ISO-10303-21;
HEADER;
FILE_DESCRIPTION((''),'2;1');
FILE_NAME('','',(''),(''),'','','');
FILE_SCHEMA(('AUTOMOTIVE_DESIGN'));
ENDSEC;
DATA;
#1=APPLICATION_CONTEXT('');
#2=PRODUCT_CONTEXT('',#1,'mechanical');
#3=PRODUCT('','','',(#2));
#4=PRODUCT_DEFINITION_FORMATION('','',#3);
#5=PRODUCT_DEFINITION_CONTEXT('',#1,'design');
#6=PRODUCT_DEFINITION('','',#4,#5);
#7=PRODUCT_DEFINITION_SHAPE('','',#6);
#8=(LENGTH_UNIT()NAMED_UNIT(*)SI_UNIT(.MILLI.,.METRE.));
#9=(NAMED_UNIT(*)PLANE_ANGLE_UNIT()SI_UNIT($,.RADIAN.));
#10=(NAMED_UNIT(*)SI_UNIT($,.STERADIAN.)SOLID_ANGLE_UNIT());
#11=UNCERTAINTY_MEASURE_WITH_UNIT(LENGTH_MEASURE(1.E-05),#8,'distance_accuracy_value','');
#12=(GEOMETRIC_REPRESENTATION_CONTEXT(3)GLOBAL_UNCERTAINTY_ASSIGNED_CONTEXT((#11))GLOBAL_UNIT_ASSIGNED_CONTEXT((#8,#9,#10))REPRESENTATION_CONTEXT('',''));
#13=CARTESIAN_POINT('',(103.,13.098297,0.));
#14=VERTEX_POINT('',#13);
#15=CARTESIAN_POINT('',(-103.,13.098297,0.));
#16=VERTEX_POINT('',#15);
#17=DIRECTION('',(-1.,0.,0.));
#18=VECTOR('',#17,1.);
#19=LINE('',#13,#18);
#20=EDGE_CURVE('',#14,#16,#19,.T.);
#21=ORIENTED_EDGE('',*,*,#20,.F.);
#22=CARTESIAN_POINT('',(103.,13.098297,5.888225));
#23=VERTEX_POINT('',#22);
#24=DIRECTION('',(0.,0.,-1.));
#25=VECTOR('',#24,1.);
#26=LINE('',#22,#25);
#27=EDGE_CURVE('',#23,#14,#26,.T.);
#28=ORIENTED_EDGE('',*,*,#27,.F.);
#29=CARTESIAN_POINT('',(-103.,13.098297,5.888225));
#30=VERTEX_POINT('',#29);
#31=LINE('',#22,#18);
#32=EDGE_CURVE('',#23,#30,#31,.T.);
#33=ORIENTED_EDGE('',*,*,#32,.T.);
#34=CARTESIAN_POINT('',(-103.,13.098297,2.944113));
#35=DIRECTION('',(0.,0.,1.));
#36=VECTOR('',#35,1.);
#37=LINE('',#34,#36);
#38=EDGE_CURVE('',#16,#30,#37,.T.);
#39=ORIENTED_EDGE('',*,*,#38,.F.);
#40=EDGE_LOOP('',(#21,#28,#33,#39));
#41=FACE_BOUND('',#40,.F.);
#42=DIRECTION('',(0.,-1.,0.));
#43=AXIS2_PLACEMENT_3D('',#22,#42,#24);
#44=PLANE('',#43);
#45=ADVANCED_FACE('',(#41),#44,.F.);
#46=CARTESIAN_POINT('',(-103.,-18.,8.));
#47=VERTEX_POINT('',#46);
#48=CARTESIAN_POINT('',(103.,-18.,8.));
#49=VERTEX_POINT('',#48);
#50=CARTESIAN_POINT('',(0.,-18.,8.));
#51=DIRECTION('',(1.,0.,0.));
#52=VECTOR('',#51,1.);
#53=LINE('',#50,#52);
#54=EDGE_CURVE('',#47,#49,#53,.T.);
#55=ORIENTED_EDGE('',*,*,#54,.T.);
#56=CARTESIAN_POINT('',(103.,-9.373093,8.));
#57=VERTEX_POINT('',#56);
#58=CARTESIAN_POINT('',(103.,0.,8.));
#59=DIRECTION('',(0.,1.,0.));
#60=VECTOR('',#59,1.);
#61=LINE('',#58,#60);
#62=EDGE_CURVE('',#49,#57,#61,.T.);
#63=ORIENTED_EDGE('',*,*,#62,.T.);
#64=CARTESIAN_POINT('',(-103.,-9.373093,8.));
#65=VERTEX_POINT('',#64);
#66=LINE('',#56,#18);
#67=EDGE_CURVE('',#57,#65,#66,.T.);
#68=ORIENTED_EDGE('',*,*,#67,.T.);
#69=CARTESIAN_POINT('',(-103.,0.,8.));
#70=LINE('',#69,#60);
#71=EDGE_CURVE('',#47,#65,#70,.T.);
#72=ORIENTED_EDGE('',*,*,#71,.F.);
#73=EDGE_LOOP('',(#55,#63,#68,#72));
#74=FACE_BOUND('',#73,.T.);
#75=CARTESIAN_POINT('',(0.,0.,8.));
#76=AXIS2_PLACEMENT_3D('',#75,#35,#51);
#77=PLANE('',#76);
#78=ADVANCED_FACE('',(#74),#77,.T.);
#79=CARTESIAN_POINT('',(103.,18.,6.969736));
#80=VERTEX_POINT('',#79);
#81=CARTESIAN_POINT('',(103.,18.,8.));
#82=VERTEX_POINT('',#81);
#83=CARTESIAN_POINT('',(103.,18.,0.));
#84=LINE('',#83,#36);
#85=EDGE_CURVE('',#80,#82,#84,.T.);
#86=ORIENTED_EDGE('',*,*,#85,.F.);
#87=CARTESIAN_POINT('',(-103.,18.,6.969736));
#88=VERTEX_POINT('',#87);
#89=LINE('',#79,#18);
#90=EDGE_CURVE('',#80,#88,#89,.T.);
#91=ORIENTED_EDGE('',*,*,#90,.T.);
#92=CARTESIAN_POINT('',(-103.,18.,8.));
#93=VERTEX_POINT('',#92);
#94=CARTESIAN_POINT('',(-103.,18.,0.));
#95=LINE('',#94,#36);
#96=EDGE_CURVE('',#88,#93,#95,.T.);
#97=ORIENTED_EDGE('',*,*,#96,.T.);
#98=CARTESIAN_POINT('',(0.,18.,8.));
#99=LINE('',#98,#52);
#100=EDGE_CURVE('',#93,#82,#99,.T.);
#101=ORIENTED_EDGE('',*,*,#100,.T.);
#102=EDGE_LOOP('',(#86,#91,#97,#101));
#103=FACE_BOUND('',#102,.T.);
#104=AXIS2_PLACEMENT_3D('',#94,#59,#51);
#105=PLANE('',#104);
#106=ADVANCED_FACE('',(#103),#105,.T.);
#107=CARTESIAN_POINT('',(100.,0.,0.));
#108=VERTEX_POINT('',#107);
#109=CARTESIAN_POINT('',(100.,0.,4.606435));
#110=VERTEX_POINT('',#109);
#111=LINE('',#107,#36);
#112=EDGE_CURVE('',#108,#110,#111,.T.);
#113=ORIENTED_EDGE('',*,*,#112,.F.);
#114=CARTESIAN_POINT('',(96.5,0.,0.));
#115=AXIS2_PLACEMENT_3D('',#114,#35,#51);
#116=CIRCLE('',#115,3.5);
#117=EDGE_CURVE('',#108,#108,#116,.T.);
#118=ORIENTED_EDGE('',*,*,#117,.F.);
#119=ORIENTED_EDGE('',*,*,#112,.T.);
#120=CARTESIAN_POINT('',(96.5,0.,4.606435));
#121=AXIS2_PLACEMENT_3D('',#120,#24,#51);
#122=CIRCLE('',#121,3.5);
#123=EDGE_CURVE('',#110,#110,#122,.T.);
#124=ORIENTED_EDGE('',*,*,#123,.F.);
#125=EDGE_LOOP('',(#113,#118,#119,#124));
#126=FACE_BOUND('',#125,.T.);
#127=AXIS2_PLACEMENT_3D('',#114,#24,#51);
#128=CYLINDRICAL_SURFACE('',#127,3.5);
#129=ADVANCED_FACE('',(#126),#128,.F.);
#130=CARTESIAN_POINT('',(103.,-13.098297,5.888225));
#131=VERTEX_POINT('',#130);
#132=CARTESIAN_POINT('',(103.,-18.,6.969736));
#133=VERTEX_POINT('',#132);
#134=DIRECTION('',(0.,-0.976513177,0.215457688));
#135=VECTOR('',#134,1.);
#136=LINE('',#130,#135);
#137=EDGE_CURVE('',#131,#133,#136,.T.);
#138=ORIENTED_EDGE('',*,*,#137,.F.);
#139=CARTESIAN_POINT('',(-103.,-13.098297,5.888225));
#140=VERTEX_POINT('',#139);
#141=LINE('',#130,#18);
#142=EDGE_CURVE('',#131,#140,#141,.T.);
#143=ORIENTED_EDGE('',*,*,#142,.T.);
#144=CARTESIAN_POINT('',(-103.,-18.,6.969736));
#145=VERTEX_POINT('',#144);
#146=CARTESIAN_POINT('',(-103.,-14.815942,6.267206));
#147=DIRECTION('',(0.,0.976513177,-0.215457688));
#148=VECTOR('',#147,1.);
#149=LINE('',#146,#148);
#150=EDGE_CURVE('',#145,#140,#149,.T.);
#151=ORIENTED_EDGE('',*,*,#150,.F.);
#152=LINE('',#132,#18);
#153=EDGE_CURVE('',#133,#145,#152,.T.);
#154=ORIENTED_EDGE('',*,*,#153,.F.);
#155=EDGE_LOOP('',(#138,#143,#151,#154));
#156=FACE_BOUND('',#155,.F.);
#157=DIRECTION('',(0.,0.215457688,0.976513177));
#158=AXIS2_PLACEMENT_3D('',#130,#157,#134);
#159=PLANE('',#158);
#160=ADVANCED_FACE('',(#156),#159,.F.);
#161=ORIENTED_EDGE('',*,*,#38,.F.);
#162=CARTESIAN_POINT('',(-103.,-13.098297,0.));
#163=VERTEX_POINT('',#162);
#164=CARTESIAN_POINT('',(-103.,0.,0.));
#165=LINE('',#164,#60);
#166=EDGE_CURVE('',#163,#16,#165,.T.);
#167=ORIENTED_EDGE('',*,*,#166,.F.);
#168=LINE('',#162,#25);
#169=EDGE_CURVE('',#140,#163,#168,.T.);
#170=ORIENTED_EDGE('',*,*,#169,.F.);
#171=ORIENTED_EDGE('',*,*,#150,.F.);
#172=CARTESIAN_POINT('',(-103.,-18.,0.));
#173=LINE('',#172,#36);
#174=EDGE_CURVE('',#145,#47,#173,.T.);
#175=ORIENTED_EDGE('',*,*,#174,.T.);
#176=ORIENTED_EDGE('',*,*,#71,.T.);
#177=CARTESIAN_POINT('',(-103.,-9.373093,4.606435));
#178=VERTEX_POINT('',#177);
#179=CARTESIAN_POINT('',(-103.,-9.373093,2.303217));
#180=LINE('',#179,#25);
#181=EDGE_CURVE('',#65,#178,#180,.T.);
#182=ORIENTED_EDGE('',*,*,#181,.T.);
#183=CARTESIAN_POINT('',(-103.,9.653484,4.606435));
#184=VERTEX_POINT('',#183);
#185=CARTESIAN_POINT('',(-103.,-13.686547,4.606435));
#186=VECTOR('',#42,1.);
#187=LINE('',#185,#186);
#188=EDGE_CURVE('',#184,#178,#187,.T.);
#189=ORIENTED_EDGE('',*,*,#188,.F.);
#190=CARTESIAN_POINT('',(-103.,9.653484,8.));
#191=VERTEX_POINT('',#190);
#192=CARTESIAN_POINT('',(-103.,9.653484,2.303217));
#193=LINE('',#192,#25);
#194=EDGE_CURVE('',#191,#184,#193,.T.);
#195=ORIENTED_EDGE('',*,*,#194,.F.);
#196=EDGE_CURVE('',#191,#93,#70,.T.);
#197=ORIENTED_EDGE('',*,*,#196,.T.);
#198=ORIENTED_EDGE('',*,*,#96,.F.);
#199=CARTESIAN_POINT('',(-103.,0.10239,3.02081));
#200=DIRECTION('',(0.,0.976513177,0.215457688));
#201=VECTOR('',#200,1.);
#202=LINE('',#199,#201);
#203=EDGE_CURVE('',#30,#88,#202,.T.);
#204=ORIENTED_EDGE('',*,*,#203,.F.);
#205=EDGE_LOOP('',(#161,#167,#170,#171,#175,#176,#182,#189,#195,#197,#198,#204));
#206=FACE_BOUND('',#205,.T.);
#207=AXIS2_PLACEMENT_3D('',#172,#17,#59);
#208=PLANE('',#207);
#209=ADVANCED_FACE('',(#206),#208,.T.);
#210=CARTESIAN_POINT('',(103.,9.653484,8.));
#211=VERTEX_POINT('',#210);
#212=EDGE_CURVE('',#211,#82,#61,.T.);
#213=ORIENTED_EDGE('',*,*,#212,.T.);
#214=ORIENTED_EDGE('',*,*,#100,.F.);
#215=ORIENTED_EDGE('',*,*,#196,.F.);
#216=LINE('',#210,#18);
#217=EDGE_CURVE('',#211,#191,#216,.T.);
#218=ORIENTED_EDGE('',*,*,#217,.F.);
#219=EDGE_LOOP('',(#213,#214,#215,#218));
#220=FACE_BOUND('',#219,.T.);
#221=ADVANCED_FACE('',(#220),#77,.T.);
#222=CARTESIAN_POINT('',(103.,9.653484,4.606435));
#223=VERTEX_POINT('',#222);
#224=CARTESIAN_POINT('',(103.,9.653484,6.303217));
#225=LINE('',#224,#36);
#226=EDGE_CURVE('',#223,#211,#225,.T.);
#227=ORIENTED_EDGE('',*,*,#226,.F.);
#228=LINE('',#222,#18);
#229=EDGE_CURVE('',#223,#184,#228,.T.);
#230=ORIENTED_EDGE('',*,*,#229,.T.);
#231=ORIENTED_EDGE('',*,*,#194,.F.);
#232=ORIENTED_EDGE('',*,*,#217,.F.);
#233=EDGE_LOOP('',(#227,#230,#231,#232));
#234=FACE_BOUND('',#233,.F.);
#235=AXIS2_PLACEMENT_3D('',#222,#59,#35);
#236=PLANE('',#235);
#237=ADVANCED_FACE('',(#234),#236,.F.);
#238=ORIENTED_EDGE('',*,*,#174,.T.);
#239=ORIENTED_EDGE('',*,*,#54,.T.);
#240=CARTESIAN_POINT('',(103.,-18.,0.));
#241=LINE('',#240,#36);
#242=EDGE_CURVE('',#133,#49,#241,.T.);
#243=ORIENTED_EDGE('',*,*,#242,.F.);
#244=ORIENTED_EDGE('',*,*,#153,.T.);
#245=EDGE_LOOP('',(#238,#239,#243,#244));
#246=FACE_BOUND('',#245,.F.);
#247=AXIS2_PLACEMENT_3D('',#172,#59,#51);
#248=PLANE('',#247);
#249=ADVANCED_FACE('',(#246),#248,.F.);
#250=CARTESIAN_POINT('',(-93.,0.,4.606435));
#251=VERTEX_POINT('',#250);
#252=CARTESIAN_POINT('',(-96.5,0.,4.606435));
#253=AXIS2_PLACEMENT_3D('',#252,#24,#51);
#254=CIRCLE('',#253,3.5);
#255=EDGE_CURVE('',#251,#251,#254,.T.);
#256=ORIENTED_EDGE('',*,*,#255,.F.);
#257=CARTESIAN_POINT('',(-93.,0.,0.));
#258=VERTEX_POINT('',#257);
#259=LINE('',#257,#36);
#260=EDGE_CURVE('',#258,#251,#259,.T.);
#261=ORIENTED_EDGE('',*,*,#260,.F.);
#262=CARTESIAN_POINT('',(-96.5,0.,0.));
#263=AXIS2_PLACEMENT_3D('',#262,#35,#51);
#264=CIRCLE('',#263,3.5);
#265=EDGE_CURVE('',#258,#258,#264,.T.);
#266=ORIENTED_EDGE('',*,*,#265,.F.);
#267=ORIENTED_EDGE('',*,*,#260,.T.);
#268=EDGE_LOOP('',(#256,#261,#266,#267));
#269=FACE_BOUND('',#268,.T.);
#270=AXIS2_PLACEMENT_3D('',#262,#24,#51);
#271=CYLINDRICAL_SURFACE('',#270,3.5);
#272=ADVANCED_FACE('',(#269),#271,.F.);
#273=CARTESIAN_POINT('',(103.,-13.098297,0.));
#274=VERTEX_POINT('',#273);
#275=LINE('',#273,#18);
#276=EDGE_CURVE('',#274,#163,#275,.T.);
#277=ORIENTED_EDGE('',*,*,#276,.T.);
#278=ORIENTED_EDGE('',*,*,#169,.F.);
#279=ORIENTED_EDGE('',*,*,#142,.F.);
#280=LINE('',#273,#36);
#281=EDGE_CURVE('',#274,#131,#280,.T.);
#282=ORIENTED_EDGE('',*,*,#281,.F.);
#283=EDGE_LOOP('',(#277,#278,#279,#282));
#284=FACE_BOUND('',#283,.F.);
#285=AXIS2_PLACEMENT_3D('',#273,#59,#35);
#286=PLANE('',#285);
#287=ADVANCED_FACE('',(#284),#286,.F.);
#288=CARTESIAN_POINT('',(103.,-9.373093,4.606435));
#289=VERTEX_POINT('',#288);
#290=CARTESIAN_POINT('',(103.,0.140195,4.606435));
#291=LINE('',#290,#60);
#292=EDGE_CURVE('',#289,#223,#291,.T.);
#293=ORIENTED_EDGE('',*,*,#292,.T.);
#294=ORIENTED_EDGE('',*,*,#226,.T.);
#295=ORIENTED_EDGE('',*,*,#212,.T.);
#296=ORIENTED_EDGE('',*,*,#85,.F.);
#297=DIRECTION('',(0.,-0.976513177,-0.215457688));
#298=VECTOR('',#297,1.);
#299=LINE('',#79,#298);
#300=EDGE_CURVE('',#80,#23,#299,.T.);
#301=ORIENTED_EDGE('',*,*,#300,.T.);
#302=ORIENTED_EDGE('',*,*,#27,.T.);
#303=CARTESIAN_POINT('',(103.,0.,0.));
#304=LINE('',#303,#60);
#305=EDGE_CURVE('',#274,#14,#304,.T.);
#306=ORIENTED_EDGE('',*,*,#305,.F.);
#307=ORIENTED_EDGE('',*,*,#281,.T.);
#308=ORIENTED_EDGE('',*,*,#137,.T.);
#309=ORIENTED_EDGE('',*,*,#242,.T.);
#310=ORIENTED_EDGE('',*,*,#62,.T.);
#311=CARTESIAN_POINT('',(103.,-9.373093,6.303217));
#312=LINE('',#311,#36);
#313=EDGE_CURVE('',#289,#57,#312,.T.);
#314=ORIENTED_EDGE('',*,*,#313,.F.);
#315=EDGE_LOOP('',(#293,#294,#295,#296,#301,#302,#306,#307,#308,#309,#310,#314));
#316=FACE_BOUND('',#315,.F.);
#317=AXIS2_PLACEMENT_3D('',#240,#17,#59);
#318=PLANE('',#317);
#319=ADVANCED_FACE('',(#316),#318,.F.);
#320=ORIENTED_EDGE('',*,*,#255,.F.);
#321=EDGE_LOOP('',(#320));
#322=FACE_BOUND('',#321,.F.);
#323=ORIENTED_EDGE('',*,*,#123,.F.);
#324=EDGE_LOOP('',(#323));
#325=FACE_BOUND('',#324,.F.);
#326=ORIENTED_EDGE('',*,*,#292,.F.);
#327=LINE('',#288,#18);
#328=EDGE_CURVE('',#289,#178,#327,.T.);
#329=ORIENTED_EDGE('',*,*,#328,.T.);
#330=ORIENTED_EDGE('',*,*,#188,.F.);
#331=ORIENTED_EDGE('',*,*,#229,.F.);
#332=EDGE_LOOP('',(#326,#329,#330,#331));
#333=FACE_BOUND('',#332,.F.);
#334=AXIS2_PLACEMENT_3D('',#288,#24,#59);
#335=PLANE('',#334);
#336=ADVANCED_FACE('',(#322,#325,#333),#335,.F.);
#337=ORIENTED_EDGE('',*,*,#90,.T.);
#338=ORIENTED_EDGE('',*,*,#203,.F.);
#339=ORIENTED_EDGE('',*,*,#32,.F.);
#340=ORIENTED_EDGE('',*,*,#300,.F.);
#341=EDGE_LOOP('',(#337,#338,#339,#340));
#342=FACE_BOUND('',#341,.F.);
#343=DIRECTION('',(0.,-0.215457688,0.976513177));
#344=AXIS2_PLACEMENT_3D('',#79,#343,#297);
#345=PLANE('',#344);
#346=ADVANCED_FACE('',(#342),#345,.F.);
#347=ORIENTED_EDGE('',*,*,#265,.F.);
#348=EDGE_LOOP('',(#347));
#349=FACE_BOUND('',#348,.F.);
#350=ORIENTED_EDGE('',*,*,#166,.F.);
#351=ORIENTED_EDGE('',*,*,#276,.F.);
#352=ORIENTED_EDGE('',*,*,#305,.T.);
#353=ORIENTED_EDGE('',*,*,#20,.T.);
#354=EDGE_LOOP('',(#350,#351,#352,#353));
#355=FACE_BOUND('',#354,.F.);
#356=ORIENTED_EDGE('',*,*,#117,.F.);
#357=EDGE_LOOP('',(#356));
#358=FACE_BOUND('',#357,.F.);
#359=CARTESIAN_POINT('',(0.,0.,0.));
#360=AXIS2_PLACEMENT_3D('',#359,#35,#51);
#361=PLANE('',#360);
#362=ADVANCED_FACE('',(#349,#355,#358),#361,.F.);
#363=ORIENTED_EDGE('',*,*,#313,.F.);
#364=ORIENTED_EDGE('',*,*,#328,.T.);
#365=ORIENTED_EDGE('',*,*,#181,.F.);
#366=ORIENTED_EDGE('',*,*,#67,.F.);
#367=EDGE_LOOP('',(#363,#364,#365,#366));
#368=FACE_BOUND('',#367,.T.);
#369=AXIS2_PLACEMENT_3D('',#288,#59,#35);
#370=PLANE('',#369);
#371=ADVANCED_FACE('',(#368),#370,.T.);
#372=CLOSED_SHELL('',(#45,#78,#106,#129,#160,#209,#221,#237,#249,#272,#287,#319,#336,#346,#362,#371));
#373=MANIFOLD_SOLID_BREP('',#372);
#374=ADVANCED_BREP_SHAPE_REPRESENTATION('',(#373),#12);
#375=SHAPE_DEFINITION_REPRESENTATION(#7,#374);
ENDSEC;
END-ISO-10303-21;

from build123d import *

# Parameters (mm, degrees)
F0_W     = 206
F0_H     = 36
F0_R     = 3.5
F1_DEPTH = 8
F2_W     = 19.0265765414
F2_H     = 3.3935653903
F3_DEPTH = 206.001
F5_DEPTH = 206.001


with BuildPart() as f1:
    # F0 (on Top) → F1 (new body)
    with BuildSketch(Plane.XY):
        Rectangle(F0_W, F0_H)
        with Locations((-96.5, 0)):
            Circle(F0_R, mode=Mode.SUBTRACT)
        with Locations((96.5, 0)):
            Circle(F0_R, mode=Mode.SUBTRACT)
    extrude(amount=F1_DEPTH)

    # F2 (on face) → F3 (cut, through all)
    with BuildSketch(Plane.YZ.offset(103)):
        with Locations((0.1401952468, 6.3032173049)):
            Rectangle(F2_W, F2_H)
    extrude(amount=-F3_DEPTH, mode=Mode.SUBTRACT)

    # F4 (on face) → F5 (cut, through all)
    with BuildSketch(Plane.YZ.offset(103)):
        Polygon((13.0982967094, 5.8882250451), (13.0982967094, 0), (18, 0), (18, 6.9697359577), align=None)
        Polygon((-13.0982967094, 5.8882250451), (-18, 6.9697359577), (-18, 0), (-13.0982967094, 0), align=None)
    extrude(amount=-F5_DEPTH, mode=Mode.SUBTRACT)


solid = f1.part
